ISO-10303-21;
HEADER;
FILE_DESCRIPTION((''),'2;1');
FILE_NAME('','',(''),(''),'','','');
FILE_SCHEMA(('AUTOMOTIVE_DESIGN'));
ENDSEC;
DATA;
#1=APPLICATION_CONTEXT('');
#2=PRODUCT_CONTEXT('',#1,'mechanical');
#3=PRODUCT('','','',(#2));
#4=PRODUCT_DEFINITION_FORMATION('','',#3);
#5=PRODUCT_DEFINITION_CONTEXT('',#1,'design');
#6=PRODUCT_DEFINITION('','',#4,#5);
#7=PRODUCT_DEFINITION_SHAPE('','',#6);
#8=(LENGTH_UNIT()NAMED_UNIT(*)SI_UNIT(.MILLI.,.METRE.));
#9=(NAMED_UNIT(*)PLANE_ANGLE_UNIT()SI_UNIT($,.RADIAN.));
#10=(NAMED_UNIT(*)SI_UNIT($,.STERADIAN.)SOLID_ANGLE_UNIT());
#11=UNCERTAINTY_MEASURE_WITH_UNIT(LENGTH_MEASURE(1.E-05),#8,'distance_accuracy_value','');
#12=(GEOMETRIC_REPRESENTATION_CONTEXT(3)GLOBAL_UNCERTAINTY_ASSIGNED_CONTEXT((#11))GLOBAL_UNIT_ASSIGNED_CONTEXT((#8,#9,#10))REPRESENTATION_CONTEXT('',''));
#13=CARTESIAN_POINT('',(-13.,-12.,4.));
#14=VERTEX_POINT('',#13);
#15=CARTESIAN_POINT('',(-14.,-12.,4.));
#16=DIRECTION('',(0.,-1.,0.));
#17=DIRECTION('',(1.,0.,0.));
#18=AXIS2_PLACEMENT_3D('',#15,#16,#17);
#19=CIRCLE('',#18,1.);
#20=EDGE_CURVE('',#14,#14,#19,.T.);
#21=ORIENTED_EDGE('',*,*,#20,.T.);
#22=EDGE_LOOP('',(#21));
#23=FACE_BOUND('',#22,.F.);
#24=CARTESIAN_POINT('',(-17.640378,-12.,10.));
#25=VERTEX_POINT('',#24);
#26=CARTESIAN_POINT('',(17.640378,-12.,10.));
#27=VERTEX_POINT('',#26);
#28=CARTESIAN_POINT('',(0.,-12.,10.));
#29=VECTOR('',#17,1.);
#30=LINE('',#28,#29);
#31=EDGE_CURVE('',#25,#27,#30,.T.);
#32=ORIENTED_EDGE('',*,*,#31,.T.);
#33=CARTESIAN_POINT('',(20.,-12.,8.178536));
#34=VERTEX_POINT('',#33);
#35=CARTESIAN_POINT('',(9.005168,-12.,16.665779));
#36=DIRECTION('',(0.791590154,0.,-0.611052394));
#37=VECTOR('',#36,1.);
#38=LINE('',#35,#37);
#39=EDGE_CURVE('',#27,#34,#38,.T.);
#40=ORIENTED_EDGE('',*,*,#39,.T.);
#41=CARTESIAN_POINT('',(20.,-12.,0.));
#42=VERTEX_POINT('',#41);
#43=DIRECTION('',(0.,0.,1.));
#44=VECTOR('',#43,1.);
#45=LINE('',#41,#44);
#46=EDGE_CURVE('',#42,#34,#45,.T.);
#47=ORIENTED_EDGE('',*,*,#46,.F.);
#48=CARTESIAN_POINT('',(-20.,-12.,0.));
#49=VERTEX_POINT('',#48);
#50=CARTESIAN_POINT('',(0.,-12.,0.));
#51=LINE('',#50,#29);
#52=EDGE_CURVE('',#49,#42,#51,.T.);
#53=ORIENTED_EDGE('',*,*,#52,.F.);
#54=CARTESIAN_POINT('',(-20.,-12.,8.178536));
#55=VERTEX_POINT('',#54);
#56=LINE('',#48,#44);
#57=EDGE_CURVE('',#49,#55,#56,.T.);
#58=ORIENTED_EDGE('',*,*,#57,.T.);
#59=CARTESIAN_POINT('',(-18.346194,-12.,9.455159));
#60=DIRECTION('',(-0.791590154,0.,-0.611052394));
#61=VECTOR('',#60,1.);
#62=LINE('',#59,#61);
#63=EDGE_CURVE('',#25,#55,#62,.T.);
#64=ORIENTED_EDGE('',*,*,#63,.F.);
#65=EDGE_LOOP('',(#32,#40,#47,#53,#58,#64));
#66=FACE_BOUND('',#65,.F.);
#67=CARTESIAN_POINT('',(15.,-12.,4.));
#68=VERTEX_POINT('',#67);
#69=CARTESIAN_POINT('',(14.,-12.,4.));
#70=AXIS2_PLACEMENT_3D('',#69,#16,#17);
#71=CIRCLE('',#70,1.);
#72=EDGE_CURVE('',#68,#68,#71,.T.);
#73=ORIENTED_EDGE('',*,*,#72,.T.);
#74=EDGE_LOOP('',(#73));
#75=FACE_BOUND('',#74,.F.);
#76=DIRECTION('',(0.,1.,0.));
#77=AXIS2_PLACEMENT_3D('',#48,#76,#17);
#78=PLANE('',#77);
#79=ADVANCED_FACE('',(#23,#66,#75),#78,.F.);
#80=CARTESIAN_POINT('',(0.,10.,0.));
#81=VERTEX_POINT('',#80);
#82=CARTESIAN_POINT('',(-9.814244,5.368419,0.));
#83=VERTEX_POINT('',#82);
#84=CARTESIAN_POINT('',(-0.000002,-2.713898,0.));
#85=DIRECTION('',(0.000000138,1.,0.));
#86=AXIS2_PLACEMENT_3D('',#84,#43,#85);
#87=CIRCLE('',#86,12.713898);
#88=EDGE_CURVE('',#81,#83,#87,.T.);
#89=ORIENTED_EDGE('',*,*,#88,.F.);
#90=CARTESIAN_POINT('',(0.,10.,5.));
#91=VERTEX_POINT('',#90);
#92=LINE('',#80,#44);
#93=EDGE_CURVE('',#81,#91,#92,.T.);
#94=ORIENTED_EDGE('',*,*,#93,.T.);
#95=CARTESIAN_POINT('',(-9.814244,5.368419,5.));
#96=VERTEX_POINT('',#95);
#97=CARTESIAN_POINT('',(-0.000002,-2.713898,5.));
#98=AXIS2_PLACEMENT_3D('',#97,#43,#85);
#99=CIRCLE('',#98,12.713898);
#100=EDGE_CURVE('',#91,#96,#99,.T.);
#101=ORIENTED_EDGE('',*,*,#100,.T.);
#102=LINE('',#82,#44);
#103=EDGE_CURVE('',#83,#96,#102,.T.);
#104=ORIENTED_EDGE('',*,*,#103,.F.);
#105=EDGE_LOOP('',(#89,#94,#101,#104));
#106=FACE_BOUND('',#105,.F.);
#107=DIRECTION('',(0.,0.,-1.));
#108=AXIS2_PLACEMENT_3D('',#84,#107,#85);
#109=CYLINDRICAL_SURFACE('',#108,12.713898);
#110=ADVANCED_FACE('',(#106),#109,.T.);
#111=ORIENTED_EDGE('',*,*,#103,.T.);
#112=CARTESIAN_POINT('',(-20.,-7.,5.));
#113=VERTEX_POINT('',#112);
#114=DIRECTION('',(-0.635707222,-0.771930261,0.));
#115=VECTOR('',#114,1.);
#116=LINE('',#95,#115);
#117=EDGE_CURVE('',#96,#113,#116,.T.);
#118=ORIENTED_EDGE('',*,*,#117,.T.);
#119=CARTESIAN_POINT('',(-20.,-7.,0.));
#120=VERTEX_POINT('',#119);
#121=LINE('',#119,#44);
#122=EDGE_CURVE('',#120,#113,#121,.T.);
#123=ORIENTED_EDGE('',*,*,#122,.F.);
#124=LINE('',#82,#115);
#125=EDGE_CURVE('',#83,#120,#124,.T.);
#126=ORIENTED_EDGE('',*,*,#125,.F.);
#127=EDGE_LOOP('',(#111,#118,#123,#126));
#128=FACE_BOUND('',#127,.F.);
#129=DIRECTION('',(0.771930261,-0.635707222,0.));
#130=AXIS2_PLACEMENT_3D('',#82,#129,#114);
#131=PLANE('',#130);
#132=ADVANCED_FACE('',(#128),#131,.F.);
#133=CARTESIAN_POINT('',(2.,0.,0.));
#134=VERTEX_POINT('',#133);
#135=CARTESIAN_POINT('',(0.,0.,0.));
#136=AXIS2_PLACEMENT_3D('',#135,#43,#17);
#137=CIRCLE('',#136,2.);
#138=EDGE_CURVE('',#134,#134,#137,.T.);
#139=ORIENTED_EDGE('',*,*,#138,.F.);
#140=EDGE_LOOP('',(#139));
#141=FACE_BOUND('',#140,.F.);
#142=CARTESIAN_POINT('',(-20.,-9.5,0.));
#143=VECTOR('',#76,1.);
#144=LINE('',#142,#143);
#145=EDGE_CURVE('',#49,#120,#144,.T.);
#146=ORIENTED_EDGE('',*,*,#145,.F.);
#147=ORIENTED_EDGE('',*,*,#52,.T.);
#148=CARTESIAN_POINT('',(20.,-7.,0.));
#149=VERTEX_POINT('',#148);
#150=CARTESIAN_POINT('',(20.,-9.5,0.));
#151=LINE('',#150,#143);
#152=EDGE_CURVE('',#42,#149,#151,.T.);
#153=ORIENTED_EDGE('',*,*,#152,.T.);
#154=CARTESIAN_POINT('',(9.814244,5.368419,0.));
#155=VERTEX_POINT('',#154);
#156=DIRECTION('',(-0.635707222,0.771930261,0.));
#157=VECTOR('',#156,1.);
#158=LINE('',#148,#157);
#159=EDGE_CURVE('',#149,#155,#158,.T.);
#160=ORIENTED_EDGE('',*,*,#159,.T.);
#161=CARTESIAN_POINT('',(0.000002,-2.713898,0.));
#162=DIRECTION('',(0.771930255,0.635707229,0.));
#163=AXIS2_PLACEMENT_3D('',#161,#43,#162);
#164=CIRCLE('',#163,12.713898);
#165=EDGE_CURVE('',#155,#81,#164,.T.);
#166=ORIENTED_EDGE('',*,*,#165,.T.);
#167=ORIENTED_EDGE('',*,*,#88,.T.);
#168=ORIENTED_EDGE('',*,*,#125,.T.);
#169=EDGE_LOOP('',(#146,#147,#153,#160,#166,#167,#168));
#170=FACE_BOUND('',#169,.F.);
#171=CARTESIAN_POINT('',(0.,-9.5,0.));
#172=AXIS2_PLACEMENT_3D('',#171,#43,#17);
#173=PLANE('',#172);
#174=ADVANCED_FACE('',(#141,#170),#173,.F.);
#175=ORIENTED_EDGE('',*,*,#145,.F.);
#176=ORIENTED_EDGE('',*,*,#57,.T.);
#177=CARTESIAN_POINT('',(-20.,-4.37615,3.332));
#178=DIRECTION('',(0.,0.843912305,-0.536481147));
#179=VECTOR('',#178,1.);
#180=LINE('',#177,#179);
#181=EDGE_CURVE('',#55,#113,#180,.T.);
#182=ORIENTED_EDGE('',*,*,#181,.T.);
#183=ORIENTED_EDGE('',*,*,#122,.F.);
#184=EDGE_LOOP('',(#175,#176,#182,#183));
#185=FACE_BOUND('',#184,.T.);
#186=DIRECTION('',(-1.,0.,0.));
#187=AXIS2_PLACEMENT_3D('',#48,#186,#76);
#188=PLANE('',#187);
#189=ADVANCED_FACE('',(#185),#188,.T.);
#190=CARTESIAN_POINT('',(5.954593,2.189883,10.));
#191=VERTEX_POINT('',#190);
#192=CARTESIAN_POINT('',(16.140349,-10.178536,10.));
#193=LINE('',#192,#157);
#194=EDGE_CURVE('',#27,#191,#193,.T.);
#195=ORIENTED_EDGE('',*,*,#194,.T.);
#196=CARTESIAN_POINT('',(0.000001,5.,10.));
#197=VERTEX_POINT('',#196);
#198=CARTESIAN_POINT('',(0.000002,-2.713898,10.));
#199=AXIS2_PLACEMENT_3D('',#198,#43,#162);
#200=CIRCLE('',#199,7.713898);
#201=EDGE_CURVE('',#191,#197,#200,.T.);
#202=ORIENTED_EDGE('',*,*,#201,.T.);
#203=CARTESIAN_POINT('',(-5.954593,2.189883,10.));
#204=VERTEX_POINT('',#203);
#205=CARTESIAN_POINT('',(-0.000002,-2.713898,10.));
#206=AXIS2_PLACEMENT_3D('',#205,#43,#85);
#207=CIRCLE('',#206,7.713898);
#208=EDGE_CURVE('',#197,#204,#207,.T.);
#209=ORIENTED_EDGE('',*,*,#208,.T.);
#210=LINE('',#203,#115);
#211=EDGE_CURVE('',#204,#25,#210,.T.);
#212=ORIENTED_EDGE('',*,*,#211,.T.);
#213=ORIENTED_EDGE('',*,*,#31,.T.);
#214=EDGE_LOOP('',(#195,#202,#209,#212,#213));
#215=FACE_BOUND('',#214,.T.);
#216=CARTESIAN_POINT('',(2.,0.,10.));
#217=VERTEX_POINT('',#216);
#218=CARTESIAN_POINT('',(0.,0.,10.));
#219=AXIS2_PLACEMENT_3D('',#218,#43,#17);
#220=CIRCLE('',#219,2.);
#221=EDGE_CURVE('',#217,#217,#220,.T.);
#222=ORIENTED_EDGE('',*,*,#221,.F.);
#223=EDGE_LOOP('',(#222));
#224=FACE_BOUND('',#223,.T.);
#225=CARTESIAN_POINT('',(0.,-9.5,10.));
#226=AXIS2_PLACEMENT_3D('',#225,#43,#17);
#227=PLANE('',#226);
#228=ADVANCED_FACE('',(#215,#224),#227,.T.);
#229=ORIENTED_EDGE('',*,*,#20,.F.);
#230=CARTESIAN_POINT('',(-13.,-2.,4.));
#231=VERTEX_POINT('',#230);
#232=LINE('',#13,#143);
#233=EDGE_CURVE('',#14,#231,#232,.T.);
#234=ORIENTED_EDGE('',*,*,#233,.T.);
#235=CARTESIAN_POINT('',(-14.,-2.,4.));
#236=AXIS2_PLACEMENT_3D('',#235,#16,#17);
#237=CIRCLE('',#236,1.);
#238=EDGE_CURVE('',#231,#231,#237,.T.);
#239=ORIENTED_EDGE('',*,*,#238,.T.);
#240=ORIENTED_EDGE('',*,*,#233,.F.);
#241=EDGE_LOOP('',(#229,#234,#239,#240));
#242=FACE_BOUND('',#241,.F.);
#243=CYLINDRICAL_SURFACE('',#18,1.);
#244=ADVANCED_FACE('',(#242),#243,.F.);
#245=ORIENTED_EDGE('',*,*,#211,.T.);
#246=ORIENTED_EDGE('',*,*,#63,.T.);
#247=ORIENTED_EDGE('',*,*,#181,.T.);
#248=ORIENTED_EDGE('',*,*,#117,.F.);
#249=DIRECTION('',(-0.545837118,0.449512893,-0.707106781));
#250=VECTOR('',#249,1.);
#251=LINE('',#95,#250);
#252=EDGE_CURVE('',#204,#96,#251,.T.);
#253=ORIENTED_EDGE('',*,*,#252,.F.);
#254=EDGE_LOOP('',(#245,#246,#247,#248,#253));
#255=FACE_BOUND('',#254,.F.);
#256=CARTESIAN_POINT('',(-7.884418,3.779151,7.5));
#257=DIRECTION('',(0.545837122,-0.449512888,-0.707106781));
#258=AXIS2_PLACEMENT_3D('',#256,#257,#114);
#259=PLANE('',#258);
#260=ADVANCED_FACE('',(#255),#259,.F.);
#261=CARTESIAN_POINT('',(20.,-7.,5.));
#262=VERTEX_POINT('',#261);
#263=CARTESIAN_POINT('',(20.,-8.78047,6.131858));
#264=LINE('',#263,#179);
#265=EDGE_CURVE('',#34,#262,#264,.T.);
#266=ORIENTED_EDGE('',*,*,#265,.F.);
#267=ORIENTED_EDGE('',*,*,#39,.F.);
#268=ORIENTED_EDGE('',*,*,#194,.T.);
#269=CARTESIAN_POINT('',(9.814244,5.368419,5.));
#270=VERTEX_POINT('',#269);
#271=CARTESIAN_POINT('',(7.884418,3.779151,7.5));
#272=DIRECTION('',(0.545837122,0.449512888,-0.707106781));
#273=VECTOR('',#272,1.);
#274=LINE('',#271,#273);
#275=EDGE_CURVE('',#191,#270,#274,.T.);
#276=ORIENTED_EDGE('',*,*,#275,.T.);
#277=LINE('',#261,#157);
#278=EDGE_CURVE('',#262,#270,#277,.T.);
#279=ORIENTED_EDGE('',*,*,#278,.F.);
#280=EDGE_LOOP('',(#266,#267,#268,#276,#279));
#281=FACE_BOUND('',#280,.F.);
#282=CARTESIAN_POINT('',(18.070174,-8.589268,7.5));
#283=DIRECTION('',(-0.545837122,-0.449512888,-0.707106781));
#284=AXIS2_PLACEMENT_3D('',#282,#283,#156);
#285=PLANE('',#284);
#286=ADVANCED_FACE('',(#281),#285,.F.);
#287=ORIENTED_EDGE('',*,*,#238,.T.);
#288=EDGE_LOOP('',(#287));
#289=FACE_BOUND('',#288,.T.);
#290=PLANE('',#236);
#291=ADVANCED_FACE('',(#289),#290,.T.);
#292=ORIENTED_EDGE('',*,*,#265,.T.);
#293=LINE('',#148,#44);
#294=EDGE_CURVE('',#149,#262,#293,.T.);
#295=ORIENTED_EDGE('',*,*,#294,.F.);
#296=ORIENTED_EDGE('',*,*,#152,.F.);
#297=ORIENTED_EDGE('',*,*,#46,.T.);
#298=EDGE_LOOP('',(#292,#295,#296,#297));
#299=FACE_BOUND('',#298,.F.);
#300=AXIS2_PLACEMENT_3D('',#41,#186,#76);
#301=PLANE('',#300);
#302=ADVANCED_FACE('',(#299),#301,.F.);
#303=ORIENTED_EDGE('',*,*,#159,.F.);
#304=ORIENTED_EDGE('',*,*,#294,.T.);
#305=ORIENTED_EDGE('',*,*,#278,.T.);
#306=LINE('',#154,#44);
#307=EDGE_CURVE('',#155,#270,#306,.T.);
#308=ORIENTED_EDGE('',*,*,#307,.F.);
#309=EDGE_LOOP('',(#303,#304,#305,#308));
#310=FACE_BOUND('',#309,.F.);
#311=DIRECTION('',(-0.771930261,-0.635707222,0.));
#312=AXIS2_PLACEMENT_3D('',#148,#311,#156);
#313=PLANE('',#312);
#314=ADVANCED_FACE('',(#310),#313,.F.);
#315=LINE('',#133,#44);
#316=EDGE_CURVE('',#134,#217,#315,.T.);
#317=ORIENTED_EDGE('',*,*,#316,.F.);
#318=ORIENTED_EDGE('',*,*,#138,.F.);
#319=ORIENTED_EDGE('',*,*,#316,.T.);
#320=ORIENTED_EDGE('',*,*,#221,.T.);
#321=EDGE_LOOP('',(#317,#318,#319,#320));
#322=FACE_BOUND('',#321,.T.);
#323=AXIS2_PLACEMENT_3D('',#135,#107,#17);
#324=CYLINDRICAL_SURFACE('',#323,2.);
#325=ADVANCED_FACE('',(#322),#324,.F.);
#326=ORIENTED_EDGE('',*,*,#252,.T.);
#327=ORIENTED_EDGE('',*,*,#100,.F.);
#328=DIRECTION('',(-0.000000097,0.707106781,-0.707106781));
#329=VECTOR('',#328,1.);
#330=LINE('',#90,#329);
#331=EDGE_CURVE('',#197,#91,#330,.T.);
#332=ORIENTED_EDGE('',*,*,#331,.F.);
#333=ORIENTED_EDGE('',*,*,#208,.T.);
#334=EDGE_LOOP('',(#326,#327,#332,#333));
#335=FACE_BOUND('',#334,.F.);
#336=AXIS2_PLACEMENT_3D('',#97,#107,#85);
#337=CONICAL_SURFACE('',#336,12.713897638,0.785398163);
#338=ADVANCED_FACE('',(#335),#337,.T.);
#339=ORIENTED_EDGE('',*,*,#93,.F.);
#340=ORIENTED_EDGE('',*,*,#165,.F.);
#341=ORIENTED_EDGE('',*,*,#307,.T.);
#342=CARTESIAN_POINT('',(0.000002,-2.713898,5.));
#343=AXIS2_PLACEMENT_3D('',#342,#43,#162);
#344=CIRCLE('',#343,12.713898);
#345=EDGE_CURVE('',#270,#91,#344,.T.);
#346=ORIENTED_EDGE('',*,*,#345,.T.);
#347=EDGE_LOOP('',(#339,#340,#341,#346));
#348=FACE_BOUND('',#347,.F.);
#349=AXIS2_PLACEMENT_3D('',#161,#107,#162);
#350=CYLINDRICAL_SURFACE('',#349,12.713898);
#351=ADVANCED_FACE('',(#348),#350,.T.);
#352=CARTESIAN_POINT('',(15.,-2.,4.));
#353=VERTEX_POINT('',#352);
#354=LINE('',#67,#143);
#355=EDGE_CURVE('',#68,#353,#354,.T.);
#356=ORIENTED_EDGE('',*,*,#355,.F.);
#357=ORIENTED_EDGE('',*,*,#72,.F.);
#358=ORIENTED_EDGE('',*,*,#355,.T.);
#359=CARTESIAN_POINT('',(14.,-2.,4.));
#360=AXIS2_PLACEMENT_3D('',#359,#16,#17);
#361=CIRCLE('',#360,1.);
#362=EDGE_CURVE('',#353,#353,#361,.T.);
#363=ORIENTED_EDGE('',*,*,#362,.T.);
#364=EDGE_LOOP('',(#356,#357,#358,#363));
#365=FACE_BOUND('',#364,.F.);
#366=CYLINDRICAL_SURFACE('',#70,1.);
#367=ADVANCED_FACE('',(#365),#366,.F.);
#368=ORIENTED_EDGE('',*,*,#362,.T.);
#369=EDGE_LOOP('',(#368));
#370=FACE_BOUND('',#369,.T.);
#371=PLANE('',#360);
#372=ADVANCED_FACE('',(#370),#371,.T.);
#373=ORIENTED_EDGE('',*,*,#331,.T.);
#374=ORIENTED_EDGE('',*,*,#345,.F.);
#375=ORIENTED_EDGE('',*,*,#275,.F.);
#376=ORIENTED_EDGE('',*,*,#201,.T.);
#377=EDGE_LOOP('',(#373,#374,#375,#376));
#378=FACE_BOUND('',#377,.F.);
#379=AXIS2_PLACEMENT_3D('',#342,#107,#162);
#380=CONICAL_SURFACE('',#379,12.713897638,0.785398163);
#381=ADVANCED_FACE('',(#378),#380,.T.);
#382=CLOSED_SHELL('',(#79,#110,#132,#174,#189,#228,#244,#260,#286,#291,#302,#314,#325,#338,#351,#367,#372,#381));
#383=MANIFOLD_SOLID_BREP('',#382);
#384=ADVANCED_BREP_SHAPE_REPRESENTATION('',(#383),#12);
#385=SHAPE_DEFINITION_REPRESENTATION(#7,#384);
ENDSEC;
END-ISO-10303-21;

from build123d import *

# Parameters (mm, degrees)
F0_W     = 40
F0_H     = 5
F0_R     = 2
F1_DEPTH = 10
F2_R     = 1
F3_DEPTH = 10
F4_SIZE  = 5


with BuildPart() as f1:
    # F0 (on Top) → F1 (new body)
    with BuildSketch(Plane.XY):
        with Locations((0, -9.5)):
            Rectangle(F0_W, F0_H)
        with BuildLine():
            Line((-9.814244, 5.368419), (-20, -7))
            Line((-20, -7), (20, -7))
            Line((20, -7), (9.814244, 5.368419))
            ThreePointArc((9.814244, 5.368419), (5.426116, 8.783949), (0, 10))
            ThreePointArc((0, 10), (-5.426116, 8.783949), (-9.814244, 5.368419))
        make_face()
        Circle(F0_R, mode=Mode.SUBTRACT)
    extrude(amount=F1_DEPTH)

    # F2 (on face) → F3 (cut)
    with BuildSketch(Plane.XZ.offset(12)):
        with Locations((-14, 4)):
            Circle(F2_R)
        with Locations((14, 4)):
            Circle(F2_R)
    extrude(amount=-F3_DEPTH, mode=Mode.SUBTRACT)

    # F4
    f4_edges = [f1.edges().sort_by_distance(p)[0] for p in [
        (14.907122, -0.815791, 10),
    ]]
    chamfer(f4_edges, length=F4_SIZE)


solid = f1.part
